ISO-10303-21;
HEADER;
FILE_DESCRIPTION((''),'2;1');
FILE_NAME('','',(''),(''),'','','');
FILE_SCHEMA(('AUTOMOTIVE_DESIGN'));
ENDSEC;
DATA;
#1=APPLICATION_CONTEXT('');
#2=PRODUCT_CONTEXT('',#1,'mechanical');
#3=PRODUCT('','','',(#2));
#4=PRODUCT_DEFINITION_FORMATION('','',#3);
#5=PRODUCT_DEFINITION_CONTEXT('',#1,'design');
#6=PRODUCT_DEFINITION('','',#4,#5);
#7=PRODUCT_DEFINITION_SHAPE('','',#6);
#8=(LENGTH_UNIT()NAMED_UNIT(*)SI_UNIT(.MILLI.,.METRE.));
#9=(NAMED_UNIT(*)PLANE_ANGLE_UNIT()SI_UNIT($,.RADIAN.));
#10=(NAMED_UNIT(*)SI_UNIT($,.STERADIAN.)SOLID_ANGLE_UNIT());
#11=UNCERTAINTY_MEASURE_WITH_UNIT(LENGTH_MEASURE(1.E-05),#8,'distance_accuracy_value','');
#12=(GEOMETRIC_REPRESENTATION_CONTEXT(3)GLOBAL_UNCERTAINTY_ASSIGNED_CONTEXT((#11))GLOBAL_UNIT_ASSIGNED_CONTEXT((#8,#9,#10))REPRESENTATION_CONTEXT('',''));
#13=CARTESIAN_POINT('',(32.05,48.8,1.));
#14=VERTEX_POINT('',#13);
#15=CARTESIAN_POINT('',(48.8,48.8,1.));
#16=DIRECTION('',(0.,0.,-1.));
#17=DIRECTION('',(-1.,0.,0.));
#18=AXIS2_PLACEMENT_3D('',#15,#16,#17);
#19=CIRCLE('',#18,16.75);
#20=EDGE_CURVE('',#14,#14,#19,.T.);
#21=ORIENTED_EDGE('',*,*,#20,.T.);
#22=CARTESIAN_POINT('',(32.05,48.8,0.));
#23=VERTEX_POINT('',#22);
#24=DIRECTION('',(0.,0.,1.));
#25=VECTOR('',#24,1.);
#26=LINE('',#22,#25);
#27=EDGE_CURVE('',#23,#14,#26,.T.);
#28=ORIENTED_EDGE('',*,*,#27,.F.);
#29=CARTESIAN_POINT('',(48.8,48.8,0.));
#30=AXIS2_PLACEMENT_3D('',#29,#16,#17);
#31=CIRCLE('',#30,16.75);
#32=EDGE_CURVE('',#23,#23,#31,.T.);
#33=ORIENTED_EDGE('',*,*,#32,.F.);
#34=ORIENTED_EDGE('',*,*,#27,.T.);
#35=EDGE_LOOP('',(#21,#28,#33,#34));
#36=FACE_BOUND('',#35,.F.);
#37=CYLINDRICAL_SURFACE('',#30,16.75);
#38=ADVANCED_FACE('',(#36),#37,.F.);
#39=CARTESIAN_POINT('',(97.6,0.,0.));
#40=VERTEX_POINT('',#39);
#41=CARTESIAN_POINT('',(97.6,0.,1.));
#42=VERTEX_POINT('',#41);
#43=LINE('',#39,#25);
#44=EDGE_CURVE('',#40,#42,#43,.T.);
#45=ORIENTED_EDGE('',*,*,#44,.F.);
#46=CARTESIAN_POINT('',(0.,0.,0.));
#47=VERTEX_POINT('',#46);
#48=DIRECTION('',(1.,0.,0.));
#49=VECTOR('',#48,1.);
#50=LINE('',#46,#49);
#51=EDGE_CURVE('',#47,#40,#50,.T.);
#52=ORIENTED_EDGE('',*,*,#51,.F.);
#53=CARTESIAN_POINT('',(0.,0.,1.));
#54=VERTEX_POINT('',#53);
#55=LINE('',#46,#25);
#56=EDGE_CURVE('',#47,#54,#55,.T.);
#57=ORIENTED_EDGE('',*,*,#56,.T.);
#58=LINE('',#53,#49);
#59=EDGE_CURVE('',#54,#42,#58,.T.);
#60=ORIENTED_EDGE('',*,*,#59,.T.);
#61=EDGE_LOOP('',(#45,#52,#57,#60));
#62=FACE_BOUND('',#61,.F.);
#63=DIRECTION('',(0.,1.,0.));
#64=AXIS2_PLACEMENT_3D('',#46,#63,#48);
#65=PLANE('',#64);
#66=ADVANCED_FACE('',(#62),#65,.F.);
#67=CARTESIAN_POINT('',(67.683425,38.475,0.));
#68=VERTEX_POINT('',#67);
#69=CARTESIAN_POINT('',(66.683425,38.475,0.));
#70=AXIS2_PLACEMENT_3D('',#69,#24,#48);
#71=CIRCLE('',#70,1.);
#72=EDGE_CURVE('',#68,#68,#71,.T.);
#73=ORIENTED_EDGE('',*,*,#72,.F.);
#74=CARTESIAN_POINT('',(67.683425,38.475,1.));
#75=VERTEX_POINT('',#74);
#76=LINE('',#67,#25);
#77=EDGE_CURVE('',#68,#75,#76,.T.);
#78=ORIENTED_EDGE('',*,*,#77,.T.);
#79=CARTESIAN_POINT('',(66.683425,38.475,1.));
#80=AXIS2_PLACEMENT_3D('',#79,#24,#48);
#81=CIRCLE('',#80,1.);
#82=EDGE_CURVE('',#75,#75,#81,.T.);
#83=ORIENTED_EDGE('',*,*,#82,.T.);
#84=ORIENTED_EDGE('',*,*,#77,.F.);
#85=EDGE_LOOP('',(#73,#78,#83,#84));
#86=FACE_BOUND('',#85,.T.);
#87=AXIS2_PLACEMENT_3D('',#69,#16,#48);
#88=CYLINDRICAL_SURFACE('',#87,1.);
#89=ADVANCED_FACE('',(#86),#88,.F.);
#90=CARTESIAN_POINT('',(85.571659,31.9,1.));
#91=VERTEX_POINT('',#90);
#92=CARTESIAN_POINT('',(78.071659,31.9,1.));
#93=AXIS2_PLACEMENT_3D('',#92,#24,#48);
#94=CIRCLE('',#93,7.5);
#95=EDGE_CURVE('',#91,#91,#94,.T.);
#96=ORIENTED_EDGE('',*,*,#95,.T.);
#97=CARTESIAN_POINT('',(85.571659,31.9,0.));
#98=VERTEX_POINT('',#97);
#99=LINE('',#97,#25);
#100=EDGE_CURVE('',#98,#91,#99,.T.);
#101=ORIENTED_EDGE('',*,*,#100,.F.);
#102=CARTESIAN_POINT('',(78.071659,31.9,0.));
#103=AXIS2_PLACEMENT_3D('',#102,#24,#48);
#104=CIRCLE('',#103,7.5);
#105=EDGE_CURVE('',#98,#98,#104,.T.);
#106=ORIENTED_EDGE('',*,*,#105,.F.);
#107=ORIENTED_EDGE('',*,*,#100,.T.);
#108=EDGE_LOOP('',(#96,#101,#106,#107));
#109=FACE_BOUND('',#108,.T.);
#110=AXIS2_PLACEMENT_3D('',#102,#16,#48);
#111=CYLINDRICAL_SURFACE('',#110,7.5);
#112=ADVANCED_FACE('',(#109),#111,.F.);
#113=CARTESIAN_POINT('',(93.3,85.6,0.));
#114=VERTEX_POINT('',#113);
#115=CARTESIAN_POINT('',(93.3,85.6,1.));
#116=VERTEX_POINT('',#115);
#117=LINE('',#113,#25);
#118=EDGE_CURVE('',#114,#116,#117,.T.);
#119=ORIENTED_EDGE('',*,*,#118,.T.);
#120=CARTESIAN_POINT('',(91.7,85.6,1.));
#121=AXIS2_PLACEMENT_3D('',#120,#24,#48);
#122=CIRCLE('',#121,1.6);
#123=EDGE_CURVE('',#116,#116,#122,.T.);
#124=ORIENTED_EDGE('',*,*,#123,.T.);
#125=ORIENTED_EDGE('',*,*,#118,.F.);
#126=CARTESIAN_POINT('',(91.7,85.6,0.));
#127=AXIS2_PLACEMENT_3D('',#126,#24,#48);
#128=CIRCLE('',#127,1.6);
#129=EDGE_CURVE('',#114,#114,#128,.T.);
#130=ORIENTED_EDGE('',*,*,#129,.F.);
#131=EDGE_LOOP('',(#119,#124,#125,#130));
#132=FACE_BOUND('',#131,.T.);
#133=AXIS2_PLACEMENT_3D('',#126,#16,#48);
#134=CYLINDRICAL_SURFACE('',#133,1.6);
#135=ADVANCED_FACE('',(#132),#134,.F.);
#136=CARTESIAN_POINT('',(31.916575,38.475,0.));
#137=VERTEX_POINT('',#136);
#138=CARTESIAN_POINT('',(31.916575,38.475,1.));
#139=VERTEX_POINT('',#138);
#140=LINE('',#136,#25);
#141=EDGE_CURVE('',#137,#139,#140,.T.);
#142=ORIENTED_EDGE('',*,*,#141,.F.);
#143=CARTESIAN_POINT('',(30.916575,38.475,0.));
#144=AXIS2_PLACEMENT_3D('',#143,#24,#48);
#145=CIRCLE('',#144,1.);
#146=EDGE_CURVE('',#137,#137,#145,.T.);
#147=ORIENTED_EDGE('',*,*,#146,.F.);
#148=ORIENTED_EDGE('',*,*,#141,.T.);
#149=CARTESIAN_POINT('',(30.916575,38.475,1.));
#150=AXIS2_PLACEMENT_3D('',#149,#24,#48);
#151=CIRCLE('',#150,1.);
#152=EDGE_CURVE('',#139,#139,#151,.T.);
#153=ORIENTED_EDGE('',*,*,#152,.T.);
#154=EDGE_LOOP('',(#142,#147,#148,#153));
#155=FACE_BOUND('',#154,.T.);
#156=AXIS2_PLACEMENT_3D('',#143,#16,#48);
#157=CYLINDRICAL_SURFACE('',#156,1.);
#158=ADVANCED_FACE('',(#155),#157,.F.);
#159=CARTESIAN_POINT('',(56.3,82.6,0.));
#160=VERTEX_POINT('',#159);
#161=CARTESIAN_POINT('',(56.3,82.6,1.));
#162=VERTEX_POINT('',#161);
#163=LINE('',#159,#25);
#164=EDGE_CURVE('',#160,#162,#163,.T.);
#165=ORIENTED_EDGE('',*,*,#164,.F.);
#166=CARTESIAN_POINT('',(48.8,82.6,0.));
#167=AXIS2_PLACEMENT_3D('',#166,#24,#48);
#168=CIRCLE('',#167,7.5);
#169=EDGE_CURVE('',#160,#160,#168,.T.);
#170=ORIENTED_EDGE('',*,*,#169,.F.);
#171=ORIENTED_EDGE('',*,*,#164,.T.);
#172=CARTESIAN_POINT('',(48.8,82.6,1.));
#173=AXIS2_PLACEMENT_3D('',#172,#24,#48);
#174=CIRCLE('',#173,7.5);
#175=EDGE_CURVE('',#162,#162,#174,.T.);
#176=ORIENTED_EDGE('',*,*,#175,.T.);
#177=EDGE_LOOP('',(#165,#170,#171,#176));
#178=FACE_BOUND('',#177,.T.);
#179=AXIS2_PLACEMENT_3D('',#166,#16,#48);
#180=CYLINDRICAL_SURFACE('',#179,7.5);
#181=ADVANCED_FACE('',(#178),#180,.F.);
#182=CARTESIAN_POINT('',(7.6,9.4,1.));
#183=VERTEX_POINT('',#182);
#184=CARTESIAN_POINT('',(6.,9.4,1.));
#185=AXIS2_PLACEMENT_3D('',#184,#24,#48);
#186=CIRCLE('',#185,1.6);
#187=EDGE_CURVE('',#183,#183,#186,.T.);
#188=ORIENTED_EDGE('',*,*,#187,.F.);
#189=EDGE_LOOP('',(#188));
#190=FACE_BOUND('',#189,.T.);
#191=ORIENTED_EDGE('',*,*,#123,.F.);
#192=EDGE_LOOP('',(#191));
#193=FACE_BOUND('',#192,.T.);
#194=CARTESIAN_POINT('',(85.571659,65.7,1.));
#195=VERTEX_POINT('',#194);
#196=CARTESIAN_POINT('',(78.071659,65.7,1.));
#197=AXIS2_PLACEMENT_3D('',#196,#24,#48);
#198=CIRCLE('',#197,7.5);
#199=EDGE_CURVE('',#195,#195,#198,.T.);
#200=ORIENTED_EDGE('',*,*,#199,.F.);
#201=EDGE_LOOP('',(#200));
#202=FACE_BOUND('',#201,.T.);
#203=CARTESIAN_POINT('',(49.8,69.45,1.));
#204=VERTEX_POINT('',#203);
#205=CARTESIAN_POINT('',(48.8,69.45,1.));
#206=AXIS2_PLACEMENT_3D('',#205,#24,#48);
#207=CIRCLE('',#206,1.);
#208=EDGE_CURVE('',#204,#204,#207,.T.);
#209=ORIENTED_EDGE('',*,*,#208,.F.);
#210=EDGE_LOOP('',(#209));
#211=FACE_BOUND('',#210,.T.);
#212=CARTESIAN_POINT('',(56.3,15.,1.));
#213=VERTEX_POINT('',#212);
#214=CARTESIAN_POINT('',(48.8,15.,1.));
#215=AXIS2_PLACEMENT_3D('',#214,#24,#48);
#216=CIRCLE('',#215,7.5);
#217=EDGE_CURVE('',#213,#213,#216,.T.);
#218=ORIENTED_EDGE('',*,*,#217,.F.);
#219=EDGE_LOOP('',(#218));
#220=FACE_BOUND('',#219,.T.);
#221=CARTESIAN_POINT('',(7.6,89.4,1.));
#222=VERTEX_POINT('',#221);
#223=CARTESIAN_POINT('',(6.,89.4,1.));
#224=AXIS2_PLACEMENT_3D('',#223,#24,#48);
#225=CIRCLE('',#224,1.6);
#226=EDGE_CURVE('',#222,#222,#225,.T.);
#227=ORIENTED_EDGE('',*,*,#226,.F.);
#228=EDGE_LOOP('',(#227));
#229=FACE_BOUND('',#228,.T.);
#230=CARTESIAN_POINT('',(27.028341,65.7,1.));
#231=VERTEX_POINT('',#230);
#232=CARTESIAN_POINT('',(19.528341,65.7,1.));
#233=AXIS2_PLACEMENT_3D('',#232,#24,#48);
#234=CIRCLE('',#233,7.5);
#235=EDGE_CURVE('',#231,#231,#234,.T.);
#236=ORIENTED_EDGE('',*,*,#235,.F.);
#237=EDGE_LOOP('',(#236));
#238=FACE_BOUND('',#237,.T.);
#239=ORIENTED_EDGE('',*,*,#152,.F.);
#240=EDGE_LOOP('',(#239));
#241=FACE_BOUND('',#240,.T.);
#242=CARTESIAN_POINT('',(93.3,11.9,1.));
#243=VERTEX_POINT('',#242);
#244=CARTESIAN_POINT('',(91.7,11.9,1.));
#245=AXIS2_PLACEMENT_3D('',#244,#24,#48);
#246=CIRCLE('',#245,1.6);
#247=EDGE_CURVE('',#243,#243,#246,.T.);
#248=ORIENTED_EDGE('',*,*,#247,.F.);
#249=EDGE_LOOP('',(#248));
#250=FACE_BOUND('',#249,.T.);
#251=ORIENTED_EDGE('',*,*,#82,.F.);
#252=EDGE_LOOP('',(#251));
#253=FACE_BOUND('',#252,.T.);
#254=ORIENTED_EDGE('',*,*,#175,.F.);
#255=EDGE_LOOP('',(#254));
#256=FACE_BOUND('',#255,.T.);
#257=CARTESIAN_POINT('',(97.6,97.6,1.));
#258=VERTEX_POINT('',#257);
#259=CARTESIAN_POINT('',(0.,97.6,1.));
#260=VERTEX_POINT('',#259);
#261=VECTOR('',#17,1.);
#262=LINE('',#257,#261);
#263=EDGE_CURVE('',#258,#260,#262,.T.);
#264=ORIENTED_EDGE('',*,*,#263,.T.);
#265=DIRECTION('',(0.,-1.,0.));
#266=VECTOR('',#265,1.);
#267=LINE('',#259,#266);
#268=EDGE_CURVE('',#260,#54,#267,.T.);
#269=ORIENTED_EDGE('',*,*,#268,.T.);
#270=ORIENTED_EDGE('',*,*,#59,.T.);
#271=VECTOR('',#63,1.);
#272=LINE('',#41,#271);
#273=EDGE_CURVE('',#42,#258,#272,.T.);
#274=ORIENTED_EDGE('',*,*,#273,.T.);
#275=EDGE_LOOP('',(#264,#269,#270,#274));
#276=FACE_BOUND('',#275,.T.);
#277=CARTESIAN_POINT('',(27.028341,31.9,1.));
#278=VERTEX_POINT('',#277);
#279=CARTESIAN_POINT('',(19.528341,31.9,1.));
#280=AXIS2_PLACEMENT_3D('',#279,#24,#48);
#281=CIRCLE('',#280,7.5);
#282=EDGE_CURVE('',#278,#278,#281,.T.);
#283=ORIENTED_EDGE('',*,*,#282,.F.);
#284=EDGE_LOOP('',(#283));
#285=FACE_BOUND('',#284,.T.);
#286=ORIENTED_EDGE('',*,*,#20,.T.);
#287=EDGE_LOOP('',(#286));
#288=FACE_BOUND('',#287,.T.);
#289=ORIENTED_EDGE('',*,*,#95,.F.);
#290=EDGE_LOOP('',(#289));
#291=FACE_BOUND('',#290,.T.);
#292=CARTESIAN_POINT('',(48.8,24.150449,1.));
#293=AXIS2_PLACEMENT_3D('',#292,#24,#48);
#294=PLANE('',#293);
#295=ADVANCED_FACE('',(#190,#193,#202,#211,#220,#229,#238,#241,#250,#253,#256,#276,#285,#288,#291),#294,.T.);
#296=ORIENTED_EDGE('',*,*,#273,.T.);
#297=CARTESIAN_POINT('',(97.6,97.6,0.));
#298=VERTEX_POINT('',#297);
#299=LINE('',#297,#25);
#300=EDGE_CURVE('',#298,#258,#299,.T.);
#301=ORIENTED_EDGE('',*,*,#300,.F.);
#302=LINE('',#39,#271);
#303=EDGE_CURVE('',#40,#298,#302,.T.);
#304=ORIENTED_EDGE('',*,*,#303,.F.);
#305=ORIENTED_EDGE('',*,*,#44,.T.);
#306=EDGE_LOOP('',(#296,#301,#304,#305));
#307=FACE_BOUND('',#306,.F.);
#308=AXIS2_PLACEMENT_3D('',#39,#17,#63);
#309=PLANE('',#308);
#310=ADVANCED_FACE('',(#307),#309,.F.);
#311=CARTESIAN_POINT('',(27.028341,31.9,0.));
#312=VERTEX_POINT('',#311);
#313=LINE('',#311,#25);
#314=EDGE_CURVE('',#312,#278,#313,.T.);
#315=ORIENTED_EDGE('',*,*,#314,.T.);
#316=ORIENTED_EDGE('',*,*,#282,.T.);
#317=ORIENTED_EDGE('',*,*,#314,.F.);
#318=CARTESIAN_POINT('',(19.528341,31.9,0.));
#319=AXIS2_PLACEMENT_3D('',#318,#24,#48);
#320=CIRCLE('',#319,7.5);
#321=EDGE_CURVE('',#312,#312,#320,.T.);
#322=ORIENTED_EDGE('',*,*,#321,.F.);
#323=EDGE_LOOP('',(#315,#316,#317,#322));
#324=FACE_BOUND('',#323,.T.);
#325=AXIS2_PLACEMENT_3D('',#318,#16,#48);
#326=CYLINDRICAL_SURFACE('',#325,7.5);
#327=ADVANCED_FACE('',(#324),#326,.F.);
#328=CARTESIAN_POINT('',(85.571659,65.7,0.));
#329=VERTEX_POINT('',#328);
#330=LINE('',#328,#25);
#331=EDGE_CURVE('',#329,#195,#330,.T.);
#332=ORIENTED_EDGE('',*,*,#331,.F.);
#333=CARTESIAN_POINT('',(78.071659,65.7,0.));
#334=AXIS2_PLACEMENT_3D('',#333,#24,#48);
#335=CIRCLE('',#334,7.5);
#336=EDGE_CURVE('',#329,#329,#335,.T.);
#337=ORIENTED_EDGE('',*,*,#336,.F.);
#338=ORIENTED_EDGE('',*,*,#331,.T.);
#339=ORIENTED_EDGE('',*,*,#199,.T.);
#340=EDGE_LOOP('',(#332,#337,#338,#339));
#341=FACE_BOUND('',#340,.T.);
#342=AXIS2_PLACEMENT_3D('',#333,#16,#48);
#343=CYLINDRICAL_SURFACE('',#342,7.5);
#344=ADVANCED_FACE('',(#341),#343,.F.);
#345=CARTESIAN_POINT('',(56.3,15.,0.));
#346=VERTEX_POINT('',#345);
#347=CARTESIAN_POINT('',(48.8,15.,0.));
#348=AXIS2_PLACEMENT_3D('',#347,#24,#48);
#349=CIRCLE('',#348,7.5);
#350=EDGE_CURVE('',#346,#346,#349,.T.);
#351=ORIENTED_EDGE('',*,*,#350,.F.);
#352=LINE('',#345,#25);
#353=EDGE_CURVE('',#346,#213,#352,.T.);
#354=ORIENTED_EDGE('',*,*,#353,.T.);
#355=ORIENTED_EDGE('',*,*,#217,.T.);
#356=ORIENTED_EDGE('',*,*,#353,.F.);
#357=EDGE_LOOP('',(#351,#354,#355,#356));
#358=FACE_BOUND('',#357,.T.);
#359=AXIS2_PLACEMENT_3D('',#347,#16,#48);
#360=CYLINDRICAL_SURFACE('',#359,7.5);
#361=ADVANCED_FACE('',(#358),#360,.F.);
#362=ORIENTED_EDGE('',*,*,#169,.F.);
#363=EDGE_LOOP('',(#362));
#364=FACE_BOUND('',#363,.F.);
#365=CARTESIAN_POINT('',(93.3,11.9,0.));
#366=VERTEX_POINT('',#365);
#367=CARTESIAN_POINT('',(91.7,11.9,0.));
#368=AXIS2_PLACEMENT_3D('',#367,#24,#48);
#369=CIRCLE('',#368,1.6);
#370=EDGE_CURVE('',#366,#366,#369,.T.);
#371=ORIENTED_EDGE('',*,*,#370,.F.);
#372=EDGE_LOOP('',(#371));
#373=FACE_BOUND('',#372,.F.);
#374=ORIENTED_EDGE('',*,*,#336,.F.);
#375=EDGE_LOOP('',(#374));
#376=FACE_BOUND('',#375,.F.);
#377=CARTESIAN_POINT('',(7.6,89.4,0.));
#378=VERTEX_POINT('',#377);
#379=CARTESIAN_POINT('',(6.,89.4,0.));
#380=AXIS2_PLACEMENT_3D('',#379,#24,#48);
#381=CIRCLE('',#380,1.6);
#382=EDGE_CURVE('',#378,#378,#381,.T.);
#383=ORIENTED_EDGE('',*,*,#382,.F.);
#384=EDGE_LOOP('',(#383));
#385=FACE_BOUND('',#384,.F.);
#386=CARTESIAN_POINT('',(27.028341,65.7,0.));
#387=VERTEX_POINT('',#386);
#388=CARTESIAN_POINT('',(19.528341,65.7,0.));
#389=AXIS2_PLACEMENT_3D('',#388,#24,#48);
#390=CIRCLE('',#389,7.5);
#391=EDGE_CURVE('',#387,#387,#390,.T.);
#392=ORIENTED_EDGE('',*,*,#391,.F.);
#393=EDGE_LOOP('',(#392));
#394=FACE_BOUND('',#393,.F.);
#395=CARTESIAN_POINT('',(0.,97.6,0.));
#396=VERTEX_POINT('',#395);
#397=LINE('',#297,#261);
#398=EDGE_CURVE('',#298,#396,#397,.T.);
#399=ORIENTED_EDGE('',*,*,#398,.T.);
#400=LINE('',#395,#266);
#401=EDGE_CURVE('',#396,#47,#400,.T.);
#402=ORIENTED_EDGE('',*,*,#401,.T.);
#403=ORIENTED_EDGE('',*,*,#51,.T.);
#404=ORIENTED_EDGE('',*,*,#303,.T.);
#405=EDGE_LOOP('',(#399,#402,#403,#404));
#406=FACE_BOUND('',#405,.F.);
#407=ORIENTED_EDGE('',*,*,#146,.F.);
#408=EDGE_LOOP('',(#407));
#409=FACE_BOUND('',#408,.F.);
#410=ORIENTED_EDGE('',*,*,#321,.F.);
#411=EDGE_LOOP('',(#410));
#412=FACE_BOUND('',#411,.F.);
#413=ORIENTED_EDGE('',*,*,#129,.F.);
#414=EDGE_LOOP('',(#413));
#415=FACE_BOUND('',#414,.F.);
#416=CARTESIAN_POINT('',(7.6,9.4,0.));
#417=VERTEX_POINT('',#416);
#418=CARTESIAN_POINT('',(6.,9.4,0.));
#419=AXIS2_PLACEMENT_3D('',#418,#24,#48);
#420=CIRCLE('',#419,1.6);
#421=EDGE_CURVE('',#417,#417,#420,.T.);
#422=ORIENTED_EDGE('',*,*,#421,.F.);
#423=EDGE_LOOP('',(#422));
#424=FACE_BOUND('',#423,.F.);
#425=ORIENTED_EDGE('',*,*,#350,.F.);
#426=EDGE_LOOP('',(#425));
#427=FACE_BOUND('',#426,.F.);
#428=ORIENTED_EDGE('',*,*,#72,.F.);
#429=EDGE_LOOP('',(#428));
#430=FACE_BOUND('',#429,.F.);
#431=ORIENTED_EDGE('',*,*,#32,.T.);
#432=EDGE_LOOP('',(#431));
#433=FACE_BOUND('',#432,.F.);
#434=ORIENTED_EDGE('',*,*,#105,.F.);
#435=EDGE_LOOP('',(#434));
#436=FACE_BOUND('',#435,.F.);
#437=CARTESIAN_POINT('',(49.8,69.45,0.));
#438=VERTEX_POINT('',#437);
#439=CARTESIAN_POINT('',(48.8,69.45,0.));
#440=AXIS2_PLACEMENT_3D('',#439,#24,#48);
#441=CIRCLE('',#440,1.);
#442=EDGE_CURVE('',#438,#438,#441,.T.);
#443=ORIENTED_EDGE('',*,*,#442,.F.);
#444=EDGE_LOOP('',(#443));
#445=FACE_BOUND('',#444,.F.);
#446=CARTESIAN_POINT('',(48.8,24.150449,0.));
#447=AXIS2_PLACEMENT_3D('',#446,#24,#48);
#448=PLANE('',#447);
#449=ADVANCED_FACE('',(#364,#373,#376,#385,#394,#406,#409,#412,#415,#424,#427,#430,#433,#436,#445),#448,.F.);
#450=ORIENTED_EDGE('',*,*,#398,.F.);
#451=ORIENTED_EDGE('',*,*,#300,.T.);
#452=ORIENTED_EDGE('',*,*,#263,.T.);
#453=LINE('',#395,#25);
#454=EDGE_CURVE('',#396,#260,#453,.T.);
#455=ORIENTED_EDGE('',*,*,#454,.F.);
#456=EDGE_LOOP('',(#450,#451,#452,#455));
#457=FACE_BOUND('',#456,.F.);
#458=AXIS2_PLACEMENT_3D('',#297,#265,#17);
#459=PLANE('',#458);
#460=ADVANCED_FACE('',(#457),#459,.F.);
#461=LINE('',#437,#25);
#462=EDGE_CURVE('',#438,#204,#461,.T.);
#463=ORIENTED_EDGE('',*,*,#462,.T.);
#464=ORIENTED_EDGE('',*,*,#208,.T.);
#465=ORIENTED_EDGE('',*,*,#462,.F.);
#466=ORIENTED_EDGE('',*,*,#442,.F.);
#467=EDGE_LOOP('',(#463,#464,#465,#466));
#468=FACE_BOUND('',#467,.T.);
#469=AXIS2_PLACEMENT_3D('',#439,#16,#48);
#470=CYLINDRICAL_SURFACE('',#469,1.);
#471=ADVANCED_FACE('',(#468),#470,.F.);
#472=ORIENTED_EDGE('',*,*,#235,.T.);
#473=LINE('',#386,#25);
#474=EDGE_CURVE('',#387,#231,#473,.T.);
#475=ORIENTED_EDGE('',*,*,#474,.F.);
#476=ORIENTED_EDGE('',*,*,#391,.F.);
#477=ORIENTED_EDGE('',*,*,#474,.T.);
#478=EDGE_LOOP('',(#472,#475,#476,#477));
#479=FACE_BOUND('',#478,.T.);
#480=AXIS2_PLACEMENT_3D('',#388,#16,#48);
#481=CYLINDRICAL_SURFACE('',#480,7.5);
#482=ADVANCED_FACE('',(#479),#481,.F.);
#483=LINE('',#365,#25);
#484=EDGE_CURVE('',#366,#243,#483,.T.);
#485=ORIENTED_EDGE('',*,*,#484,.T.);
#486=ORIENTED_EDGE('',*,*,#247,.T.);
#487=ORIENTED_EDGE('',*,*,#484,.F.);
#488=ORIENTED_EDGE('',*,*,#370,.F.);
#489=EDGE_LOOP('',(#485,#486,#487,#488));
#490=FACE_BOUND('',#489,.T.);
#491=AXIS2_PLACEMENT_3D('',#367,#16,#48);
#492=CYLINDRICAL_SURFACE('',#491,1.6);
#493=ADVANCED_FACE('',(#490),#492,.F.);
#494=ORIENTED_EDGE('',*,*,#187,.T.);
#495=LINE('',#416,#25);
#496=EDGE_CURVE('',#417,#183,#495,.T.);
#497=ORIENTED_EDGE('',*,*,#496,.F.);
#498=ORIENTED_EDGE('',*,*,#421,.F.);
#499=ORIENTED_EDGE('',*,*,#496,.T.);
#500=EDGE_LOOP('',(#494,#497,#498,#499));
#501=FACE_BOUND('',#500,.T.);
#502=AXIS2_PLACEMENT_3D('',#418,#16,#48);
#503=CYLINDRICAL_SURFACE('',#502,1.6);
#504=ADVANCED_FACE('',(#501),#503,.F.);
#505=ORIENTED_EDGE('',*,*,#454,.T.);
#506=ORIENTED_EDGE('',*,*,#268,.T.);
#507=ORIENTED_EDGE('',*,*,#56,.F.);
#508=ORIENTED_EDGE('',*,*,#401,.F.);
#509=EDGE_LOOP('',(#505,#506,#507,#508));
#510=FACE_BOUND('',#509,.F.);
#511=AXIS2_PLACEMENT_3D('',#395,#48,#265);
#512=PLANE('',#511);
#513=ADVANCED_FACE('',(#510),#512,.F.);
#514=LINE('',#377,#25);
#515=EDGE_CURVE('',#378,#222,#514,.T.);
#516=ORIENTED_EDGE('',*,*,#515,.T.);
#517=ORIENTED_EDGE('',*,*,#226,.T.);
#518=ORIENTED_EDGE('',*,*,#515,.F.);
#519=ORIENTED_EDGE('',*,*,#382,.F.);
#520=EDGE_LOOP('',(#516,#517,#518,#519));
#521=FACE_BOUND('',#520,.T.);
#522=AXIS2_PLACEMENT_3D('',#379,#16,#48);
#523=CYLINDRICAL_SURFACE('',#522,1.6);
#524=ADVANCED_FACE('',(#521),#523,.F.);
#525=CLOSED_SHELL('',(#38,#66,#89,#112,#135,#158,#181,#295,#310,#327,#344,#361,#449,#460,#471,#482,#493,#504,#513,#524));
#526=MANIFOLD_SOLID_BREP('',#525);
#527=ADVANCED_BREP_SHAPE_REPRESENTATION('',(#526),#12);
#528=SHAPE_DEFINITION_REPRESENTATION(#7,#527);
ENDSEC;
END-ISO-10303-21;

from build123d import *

# Parameters (mm, degrees)
F0_R     = 1.6
F0_R_2   = 7.5
F0_R_3   = 1
F1_DEPTH = 1


with BuildPart() as f1:
    # F0 (on Top) → F1 (new body)
    with BuildSketch(Plane.XY):
        with BuildLine():
            Line((0, 48.8), (0, 0))
            Line((0, 0), (97.6, 0))
            Line((97.6, 0), (97.6, 48.8))
            Line((97.6, 48.8), (65.55, 48.8))
            ThreePointArc((65.55, 48.8), (48.8, 32.05), (32.05, 48.8))
            Line((32.05, 48.8), (0, 48.8))
        make_face()
        with Locations((6, 9.4)):
            Circle(F0_R, mode=Mode.SUBTRACT)
        with Locations((19.528341, 31.9)):
            Circle(F0_R_2, mode=Mode.SUBTRACT)
        with Locations((30.916575, 38.475)):
            Circle(F0_R_3, mode=Mode.SUBTRACT)
        with Locations((48.8, 15)):
            Circle(F0_R_2, mode=Mode.SUBTRACT)
        with Locations((91.7, 11.9)):
            Circle(F0_R, mode=Mode.SUBTRACT)
        with Locations((66.683425, 38.475)):
            Circle(F0_R_3, mode=Mode.SUBTRACT)
        with Locations((78.071659, 31.9)):
            Circle(F0_R_2, mode=Mode.SUBTRACT)
        with BuildLine():
            Line((0, 97.6), (0, 48.8))
            Line((0, 48.8), (32.05, 48.8))
            ThreePointArc((32.05, 48.8), (48.8, 65.55), (65.55, 48.8))
            Line((65.55, 48.8), (97.6, 48.8))
            Line((97.6, 48.8), (97.6, 97.6))
            Line((97.6, 97.6), (0, 97.6))
        make_face()
        with Locations((19.528341, 65.7)):
            Circle(F0_R_2, mode=Mode.SUBTRACT)
        with Locations((6, 89.4)):
            Circle(F0_R, mode=Mode.SUBTRACT)
        with Locations((48.8, 69.45)):
            Circle(F0_R_3, mode=Mode.SUBTRACT)
        with Locations((78.071659, 65.7)):
            Circle(F0_R_2, mode=Mode.SUBTRACT)
        with Locations((48.8, 82.6)):
            Circle(F0_R_2, mode=Mode.SUBTRACT)
        with Locations((91.7, 85.6)):
            Circle(F0_R, mode=Mode.SUBTRACT)
    extrude(amount=F1_DEPTH)


solid = f1.part
